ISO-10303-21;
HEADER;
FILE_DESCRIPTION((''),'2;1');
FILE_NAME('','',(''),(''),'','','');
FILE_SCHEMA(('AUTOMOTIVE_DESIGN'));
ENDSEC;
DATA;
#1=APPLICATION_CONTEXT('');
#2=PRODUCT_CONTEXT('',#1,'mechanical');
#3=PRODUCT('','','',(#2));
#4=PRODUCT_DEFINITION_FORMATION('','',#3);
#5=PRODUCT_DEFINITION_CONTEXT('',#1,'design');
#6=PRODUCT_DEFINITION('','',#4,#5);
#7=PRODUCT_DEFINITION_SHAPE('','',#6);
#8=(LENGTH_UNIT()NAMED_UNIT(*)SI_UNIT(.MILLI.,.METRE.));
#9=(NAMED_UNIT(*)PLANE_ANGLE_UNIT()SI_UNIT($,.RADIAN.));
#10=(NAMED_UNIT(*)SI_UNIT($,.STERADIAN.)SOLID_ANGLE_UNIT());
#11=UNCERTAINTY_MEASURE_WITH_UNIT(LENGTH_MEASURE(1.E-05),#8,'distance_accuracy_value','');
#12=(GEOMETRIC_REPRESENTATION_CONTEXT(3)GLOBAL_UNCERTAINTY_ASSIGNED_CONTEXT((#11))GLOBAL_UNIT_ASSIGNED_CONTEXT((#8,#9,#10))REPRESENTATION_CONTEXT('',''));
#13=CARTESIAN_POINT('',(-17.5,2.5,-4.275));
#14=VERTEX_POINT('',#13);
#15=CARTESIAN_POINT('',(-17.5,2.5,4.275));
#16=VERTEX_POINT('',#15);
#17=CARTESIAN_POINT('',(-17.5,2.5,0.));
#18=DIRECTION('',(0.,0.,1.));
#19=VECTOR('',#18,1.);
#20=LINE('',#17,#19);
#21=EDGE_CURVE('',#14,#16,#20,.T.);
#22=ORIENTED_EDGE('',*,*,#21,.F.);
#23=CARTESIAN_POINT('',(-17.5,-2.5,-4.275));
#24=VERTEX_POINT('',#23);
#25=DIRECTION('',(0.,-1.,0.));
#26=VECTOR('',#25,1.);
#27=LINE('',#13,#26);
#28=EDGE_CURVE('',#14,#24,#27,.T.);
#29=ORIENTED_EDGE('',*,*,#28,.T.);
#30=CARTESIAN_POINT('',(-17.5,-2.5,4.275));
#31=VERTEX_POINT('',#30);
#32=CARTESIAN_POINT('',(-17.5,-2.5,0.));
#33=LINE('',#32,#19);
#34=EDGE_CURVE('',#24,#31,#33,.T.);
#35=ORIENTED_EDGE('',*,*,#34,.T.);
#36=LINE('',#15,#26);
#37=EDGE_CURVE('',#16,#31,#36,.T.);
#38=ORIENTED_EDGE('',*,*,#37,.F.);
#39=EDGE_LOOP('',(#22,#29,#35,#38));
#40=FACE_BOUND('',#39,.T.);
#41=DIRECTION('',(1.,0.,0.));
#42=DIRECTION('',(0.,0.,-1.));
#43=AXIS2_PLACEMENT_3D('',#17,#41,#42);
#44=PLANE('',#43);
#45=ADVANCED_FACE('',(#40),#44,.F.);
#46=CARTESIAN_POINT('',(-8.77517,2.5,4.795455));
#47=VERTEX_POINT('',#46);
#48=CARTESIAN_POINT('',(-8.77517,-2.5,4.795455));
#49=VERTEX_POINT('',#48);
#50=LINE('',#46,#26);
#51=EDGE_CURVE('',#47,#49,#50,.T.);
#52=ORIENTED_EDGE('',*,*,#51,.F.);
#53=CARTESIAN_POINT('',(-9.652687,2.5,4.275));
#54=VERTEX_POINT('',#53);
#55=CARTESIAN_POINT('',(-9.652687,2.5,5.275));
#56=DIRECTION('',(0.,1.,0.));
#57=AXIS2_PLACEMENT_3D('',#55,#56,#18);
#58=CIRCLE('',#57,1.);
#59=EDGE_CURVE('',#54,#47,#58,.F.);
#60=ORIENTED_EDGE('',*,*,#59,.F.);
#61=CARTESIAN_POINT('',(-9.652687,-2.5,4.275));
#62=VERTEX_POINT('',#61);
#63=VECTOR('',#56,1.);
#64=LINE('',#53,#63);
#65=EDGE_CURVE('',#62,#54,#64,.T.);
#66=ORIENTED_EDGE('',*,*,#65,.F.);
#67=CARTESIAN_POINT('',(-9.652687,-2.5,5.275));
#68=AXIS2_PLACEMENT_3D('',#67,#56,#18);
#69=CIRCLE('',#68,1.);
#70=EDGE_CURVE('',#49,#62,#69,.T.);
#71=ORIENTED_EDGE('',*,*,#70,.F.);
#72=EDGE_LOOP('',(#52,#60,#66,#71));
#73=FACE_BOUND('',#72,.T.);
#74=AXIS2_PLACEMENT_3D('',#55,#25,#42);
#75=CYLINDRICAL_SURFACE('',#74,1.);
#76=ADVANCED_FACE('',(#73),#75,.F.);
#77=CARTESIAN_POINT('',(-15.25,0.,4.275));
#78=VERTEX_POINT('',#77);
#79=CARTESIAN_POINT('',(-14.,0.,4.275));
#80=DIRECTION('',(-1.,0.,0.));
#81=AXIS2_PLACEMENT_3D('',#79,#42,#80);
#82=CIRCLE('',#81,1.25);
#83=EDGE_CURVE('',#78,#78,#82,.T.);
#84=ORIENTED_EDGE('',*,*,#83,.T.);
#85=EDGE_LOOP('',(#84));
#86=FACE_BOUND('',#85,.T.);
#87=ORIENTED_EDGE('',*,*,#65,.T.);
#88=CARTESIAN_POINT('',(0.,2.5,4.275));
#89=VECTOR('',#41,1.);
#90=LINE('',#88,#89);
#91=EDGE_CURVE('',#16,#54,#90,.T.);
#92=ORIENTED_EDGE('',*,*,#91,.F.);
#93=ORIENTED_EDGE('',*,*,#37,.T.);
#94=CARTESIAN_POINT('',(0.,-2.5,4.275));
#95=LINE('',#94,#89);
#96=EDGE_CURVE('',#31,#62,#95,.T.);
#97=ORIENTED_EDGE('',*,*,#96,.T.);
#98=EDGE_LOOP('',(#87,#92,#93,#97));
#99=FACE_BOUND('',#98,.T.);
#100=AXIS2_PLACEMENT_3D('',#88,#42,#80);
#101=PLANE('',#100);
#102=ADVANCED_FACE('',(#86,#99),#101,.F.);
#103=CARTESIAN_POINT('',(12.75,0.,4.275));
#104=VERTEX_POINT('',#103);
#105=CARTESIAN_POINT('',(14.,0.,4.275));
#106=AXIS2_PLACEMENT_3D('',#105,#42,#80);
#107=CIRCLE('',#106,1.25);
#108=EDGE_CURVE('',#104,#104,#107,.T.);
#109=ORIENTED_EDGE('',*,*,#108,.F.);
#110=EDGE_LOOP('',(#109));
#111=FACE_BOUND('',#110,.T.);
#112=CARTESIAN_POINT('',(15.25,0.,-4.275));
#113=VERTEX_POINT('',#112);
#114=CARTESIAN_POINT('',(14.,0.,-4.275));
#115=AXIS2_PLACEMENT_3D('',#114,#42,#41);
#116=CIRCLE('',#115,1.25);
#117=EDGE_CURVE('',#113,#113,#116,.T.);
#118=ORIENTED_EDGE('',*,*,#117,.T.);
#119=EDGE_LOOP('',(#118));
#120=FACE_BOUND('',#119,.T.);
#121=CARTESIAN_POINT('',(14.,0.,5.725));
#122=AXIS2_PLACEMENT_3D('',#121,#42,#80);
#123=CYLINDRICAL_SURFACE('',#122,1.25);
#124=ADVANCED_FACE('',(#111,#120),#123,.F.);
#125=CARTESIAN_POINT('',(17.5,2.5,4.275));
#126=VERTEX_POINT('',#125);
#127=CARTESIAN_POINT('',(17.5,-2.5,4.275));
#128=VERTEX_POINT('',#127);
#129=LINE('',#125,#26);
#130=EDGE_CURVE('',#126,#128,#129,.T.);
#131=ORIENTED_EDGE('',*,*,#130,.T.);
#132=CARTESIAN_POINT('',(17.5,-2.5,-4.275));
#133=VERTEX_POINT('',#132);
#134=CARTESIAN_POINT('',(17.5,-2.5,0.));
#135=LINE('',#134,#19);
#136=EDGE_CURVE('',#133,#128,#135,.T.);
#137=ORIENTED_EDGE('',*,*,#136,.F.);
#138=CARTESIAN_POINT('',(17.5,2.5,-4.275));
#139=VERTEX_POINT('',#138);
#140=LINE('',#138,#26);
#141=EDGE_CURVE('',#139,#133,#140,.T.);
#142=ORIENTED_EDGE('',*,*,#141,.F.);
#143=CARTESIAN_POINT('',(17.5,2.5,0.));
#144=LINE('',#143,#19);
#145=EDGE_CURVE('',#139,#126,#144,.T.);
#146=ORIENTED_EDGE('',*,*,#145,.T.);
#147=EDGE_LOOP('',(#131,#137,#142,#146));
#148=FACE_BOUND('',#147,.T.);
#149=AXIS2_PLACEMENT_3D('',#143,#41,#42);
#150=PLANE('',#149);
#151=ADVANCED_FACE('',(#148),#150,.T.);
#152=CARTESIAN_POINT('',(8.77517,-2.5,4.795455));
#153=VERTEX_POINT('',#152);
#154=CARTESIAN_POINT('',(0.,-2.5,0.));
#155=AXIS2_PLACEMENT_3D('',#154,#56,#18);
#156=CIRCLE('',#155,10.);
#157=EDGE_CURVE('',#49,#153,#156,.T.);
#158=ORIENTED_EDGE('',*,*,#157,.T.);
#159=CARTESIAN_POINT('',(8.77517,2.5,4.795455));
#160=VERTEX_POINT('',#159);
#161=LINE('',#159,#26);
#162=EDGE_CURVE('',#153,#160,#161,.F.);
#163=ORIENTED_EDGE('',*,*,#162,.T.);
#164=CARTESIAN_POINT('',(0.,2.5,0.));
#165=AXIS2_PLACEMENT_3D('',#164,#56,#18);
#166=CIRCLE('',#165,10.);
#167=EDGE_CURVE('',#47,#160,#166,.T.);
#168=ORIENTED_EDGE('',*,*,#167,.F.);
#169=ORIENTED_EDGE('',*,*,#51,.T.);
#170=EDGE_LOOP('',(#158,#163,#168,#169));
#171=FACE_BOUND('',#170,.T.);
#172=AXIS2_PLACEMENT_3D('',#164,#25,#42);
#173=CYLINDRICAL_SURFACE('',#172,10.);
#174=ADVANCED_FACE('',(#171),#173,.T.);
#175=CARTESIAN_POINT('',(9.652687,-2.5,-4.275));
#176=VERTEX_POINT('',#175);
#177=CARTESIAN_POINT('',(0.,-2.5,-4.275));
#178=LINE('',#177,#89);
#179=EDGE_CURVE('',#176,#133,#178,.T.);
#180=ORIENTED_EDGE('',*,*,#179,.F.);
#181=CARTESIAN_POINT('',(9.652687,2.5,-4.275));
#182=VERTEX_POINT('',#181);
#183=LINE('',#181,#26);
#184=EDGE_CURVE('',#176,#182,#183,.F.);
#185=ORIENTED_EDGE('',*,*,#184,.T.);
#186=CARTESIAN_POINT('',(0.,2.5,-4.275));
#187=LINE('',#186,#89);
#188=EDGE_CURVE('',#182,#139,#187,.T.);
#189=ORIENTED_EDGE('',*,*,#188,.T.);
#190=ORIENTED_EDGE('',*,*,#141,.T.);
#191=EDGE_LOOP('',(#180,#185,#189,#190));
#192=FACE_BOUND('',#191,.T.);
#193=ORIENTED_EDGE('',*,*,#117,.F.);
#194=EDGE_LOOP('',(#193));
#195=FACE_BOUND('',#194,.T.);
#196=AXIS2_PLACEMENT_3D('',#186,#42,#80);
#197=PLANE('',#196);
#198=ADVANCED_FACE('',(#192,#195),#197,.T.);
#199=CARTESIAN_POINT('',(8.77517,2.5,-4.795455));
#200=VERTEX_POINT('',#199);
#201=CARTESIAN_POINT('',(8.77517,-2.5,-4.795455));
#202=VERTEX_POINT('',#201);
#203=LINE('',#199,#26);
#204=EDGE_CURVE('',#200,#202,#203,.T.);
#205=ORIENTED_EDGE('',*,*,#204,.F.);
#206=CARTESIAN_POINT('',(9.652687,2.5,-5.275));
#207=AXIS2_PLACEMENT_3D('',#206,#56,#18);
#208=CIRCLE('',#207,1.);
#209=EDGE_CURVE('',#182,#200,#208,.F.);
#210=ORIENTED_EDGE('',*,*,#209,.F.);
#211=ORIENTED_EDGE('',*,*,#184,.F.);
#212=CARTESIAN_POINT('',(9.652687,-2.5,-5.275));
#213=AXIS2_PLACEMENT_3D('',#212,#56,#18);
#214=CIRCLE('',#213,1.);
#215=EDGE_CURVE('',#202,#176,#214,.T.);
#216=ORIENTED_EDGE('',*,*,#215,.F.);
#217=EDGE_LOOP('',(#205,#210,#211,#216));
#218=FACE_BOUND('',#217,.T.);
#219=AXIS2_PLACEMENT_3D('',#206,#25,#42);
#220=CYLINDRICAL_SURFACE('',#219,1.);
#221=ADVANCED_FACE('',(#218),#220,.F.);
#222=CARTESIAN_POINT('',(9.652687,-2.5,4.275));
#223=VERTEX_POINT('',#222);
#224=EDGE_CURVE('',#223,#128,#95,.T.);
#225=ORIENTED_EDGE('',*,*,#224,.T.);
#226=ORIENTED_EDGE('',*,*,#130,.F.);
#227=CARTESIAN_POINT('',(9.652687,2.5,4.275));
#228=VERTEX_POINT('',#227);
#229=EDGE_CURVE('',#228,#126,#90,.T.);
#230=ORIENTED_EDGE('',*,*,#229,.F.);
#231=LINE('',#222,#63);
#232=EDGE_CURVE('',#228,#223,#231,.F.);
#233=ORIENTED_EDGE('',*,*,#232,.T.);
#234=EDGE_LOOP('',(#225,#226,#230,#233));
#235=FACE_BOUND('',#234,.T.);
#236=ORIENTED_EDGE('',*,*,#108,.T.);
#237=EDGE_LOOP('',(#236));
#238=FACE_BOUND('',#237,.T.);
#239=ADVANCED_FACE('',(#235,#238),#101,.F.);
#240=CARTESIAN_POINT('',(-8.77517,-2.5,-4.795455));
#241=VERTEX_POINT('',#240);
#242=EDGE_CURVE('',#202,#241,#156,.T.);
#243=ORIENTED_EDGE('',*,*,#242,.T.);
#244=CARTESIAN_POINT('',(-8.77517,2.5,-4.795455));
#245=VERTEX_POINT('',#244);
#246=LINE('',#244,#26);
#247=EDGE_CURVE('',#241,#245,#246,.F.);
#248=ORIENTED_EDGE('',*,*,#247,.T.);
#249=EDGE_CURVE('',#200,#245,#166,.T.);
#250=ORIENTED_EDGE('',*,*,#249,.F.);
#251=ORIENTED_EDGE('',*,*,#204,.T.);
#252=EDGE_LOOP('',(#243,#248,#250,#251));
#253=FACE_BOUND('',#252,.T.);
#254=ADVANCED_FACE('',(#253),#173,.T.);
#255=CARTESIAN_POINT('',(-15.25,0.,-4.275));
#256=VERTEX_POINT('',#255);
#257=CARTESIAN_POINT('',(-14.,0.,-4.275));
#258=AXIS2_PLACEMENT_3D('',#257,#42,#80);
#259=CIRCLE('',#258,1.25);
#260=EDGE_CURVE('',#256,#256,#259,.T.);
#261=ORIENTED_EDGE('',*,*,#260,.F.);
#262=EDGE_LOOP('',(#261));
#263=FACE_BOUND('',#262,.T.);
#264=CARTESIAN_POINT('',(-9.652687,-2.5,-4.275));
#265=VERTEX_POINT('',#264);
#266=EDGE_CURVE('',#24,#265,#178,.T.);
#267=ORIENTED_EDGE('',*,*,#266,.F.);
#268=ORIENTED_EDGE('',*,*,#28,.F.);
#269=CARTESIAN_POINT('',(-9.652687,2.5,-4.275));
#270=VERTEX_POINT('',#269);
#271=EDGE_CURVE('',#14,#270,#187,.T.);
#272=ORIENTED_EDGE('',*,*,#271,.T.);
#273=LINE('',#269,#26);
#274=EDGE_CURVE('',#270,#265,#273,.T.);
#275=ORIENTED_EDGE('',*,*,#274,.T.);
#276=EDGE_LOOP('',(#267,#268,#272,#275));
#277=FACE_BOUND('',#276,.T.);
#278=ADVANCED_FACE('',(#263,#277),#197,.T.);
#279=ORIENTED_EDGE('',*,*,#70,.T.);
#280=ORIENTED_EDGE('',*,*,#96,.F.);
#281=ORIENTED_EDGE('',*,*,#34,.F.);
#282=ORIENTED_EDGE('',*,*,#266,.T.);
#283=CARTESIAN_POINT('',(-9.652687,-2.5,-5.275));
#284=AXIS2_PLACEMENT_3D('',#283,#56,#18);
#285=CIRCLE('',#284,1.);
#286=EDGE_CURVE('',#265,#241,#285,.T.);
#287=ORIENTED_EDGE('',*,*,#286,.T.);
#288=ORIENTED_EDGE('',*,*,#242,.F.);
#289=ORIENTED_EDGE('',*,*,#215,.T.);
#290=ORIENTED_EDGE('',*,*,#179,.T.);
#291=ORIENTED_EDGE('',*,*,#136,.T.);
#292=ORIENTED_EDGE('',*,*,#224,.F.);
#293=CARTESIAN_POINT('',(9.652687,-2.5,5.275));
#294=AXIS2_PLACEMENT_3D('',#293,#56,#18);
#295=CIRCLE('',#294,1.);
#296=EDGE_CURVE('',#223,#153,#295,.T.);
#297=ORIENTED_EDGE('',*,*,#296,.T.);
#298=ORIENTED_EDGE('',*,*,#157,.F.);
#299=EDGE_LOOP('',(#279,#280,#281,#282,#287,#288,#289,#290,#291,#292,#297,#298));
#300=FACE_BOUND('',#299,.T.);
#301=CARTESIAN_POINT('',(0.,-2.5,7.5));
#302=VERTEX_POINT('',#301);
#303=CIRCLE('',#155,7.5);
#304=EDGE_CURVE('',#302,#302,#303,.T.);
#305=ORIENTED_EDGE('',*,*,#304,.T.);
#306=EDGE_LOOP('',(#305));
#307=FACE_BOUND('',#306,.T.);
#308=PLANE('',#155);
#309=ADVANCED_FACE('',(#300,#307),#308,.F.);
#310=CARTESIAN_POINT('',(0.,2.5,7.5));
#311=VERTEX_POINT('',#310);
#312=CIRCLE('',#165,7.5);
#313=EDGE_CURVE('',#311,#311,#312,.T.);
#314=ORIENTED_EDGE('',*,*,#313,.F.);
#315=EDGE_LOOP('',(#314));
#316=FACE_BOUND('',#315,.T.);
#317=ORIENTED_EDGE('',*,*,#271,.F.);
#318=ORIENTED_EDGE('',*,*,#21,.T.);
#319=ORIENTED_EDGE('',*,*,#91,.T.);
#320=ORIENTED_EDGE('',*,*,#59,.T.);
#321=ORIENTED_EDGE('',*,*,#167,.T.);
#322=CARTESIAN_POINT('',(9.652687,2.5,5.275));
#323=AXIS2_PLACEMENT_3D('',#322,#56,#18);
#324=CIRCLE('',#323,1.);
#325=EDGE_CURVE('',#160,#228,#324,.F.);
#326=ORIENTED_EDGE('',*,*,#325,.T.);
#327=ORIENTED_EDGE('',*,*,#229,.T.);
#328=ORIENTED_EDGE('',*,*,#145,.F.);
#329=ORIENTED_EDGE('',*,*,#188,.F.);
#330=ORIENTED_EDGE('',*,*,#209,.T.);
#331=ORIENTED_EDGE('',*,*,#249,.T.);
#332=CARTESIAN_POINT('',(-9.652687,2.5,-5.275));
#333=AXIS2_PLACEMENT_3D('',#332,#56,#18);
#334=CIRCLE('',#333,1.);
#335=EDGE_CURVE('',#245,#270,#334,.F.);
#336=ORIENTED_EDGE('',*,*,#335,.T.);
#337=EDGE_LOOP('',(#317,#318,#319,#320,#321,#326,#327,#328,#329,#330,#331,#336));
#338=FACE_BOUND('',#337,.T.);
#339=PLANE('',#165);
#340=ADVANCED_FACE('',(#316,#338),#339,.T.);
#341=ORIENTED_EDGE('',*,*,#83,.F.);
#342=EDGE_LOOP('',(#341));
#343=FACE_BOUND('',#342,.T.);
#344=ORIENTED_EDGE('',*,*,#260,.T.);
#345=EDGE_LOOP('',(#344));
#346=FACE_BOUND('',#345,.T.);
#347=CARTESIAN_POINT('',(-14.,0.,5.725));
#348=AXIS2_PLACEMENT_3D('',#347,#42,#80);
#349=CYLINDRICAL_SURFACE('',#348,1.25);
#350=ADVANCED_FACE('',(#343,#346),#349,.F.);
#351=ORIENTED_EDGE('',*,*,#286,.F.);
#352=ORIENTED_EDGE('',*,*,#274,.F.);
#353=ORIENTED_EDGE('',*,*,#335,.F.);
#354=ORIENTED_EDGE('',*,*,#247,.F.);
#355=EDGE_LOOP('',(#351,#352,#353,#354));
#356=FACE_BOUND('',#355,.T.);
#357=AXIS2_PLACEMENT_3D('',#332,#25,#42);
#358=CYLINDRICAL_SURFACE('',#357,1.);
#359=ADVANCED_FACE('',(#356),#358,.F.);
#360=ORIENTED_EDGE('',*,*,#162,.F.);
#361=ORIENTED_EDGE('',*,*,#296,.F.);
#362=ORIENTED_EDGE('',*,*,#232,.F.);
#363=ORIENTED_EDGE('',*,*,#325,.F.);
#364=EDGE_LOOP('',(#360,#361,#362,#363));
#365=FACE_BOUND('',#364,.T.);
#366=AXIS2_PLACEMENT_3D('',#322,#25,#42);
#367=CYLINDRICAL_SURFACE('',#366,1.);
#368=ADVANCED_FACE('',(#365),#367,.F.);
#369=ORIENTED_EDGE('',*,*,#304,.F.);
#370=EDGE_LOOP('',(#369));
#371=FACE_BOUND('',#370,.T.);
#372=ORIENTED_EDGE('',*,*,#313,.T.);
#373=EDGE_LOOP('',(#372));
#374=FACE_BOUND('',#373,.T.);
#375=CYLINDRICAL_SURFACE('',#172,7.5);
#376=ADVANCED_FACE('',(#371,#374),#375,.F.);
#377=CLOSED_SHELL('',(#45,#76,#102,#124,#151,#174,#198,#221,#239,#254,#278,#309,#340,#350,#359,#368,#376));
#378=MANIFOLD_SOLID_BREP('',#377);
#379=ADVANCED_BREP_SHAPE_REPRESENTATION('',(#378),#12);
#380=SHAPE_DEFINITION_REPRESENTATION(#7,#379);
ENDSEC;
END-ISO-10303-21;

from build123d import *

# Parameters (mm, degrees)
EXTRUDE_1_DEPTH     = 2.5
SKETCH_2_R          = 1.250000000000001
SKETCH_2_R_2        = 1.2499999999999991
CUT_EXTRUDE_1_DEPTH = 10
FILLET_1_R          = 1


with BuildPart() as part:
    # ｽｹｯﾁ1 → ﾎﾞｽ - 押し出し1 (new, symmetric)
    with BuildSketch(Plane(origin=(0, 0, 0), x_dir=(1, 0, 0), z_dir=(0, 1, 0))):
        with BuildLine():
            Line((-9.040153483210384, 4.275000000000001), (-17.500000000000004, 4.275000000000001))
            Line((-17.500000000000004, 4.275000000000001), (-17.5, -4.2749999999999995))
            Line((-17.5, -4.2749999999999995), (-9.040153483210384, -4.2749999999999995))
            ThreePointArc((-9.040153483210364, -4.2749999999999355), (-9.999999999999996, 2.09e-15), (-9.040153483210364, 4.27499999999994))
        make_face()
        with BuildLine():
            Line((-6.162335190493877, 4.275), (-9.040153483210384, 4.275000000000001))
            ThreePointArc((-9.040153483210364, 4.27499999999994), (-9.999999999999996, 2.09e-15), (-9.040153483210364, -4.2749999999999355))
            Line((-9.040153483210384, -4.2749999999999995), (-6.162335190493877, -4.2749999999999995))
            ThreePointArc((-6.162335190493898, -4.275000000000058), (-7.499999999999997, 1.79e-15), (-6.1623351904938986, 4.275000000000059))
        make_face()
        with BuildLine():
            ThreePointArc((10.000000000000004, 8.7e-16), (9.757088060279663, 2.1907150850688284), (9.040153483210378, 4.2749999999999195))
            Line((9.040153483210407, 4.2749999999999995), (6.162335190493945, 4.275))
            ThreePointArc((6.162335190493945, 4.275000000000002), (7.15777597891638, 2.2396970856898766), (7.500000000000004, 8.7e-16))
            ThreePointArc((7.500000000000004, -9.7e-16), (7.157775978916378, -2.2396970856898806), (6.162335190493939, -4.275000000000008))
            Line((6.162335190493941, -4.275), (9.04015348321041, -4.275))
            ThreePointArc((9.04015348321038, -4.274999999999914), (9.757088060279663, -2.190715085068826), (10.000000000000004, -1.58e-15))
        make_face()
        with BuildLine():
            ThreePointArc((9.040153483210378, 4.2749999999999195), (1.296e-14, 10), (-9.040153483210364, 4.27499999999994))
            Line((-9.040153483210384, 4.275000000000001), (-6.162335190493877, 4.275))
            ThreePointArc((-6.1623351904938986, 4.275000000000059), (3.724e-14, 7.500000000000002), (6.162335190493945, 4.275000000000002))
            Line((6.162335190493945, 4.275), (9.040153483210407, 4.2749999999999995))
        make_face()
        with BuildLine():
            Line((17.499999999999996, 4.2749999999999995), (9.040153483210407, 4.2749999999999995))
            ThreePointArc((9.040153483210378, 4.2749999999999195), (9.757088060279663, 2.1907150850688284), (10.000000000000004, 8.7e-16))
            ThreePointArc((10.000000000000004, -1.58e-15), (9.757088060279663, -2.190715085068826), (9.04015348321038, -4.274999999999914))
            Line((9.04015348321041, -4.275), (17.5, -4.275))
            Line((17.5, -4.275000000000001), (17.499999999999996, 4.2749999999999995))
        make_face()
        with BuildLine():
            Line((-6.162335190493877, -4.2749999999999995), (-9.040153483210384, -4.2749999999999995))
            ThreePointArc((-9.040153483210364, -4.2749999999999355), (1.94e-14, -10), (9.04015348321038, -4.274999999999914))
            Line((9.04015348321041, -4.275), (6.162335190493941, -4.275))
            ThreePointArc((6.162335190493939, -4.275000000000008), (3.54e-14, -7.5), (-6.162335190493898, -4.275000000000058))
        make_face()
    extrude(amount=EXTRUDE_1_DEPTH, both=True)

    # ｽｹｯﾁ2 → ｶｯﾄ - 押し出し1 (cut)
    with BuildSketch(Plane(origin=(2.1e-16, 0, -4.275), x_dir=(-1, 0, -5e-17), z_dir=(5e-17, 0, -1))):
        with Locations((14, 0)):
            Circle(SKETCH_2_R)
        with Locations((-14, 0)):
            Circle(SKETCH_2_R_2)
    extrude(amount=-CUT_EXTRUDE_1_DEPTH, mode=Mode.SUBTRACT)

    # ﾌｨﾚｯﾄ1
    fillet_1_edges = [part.edges().sort_by_distance(p)[0] for p in [
        (-9.040153483210375, 0, 4.274999999999968),
        (-9.040153483210375, 0, -4.27499999999997),
        (9.040153483210393, 0, -4.2749999999999595),
        (9.040153483210396, 0, 4.274999999999958),
    ]]
    fillet(fillet_1_edges, radius=FILLET_1_R)


solid = part.part
